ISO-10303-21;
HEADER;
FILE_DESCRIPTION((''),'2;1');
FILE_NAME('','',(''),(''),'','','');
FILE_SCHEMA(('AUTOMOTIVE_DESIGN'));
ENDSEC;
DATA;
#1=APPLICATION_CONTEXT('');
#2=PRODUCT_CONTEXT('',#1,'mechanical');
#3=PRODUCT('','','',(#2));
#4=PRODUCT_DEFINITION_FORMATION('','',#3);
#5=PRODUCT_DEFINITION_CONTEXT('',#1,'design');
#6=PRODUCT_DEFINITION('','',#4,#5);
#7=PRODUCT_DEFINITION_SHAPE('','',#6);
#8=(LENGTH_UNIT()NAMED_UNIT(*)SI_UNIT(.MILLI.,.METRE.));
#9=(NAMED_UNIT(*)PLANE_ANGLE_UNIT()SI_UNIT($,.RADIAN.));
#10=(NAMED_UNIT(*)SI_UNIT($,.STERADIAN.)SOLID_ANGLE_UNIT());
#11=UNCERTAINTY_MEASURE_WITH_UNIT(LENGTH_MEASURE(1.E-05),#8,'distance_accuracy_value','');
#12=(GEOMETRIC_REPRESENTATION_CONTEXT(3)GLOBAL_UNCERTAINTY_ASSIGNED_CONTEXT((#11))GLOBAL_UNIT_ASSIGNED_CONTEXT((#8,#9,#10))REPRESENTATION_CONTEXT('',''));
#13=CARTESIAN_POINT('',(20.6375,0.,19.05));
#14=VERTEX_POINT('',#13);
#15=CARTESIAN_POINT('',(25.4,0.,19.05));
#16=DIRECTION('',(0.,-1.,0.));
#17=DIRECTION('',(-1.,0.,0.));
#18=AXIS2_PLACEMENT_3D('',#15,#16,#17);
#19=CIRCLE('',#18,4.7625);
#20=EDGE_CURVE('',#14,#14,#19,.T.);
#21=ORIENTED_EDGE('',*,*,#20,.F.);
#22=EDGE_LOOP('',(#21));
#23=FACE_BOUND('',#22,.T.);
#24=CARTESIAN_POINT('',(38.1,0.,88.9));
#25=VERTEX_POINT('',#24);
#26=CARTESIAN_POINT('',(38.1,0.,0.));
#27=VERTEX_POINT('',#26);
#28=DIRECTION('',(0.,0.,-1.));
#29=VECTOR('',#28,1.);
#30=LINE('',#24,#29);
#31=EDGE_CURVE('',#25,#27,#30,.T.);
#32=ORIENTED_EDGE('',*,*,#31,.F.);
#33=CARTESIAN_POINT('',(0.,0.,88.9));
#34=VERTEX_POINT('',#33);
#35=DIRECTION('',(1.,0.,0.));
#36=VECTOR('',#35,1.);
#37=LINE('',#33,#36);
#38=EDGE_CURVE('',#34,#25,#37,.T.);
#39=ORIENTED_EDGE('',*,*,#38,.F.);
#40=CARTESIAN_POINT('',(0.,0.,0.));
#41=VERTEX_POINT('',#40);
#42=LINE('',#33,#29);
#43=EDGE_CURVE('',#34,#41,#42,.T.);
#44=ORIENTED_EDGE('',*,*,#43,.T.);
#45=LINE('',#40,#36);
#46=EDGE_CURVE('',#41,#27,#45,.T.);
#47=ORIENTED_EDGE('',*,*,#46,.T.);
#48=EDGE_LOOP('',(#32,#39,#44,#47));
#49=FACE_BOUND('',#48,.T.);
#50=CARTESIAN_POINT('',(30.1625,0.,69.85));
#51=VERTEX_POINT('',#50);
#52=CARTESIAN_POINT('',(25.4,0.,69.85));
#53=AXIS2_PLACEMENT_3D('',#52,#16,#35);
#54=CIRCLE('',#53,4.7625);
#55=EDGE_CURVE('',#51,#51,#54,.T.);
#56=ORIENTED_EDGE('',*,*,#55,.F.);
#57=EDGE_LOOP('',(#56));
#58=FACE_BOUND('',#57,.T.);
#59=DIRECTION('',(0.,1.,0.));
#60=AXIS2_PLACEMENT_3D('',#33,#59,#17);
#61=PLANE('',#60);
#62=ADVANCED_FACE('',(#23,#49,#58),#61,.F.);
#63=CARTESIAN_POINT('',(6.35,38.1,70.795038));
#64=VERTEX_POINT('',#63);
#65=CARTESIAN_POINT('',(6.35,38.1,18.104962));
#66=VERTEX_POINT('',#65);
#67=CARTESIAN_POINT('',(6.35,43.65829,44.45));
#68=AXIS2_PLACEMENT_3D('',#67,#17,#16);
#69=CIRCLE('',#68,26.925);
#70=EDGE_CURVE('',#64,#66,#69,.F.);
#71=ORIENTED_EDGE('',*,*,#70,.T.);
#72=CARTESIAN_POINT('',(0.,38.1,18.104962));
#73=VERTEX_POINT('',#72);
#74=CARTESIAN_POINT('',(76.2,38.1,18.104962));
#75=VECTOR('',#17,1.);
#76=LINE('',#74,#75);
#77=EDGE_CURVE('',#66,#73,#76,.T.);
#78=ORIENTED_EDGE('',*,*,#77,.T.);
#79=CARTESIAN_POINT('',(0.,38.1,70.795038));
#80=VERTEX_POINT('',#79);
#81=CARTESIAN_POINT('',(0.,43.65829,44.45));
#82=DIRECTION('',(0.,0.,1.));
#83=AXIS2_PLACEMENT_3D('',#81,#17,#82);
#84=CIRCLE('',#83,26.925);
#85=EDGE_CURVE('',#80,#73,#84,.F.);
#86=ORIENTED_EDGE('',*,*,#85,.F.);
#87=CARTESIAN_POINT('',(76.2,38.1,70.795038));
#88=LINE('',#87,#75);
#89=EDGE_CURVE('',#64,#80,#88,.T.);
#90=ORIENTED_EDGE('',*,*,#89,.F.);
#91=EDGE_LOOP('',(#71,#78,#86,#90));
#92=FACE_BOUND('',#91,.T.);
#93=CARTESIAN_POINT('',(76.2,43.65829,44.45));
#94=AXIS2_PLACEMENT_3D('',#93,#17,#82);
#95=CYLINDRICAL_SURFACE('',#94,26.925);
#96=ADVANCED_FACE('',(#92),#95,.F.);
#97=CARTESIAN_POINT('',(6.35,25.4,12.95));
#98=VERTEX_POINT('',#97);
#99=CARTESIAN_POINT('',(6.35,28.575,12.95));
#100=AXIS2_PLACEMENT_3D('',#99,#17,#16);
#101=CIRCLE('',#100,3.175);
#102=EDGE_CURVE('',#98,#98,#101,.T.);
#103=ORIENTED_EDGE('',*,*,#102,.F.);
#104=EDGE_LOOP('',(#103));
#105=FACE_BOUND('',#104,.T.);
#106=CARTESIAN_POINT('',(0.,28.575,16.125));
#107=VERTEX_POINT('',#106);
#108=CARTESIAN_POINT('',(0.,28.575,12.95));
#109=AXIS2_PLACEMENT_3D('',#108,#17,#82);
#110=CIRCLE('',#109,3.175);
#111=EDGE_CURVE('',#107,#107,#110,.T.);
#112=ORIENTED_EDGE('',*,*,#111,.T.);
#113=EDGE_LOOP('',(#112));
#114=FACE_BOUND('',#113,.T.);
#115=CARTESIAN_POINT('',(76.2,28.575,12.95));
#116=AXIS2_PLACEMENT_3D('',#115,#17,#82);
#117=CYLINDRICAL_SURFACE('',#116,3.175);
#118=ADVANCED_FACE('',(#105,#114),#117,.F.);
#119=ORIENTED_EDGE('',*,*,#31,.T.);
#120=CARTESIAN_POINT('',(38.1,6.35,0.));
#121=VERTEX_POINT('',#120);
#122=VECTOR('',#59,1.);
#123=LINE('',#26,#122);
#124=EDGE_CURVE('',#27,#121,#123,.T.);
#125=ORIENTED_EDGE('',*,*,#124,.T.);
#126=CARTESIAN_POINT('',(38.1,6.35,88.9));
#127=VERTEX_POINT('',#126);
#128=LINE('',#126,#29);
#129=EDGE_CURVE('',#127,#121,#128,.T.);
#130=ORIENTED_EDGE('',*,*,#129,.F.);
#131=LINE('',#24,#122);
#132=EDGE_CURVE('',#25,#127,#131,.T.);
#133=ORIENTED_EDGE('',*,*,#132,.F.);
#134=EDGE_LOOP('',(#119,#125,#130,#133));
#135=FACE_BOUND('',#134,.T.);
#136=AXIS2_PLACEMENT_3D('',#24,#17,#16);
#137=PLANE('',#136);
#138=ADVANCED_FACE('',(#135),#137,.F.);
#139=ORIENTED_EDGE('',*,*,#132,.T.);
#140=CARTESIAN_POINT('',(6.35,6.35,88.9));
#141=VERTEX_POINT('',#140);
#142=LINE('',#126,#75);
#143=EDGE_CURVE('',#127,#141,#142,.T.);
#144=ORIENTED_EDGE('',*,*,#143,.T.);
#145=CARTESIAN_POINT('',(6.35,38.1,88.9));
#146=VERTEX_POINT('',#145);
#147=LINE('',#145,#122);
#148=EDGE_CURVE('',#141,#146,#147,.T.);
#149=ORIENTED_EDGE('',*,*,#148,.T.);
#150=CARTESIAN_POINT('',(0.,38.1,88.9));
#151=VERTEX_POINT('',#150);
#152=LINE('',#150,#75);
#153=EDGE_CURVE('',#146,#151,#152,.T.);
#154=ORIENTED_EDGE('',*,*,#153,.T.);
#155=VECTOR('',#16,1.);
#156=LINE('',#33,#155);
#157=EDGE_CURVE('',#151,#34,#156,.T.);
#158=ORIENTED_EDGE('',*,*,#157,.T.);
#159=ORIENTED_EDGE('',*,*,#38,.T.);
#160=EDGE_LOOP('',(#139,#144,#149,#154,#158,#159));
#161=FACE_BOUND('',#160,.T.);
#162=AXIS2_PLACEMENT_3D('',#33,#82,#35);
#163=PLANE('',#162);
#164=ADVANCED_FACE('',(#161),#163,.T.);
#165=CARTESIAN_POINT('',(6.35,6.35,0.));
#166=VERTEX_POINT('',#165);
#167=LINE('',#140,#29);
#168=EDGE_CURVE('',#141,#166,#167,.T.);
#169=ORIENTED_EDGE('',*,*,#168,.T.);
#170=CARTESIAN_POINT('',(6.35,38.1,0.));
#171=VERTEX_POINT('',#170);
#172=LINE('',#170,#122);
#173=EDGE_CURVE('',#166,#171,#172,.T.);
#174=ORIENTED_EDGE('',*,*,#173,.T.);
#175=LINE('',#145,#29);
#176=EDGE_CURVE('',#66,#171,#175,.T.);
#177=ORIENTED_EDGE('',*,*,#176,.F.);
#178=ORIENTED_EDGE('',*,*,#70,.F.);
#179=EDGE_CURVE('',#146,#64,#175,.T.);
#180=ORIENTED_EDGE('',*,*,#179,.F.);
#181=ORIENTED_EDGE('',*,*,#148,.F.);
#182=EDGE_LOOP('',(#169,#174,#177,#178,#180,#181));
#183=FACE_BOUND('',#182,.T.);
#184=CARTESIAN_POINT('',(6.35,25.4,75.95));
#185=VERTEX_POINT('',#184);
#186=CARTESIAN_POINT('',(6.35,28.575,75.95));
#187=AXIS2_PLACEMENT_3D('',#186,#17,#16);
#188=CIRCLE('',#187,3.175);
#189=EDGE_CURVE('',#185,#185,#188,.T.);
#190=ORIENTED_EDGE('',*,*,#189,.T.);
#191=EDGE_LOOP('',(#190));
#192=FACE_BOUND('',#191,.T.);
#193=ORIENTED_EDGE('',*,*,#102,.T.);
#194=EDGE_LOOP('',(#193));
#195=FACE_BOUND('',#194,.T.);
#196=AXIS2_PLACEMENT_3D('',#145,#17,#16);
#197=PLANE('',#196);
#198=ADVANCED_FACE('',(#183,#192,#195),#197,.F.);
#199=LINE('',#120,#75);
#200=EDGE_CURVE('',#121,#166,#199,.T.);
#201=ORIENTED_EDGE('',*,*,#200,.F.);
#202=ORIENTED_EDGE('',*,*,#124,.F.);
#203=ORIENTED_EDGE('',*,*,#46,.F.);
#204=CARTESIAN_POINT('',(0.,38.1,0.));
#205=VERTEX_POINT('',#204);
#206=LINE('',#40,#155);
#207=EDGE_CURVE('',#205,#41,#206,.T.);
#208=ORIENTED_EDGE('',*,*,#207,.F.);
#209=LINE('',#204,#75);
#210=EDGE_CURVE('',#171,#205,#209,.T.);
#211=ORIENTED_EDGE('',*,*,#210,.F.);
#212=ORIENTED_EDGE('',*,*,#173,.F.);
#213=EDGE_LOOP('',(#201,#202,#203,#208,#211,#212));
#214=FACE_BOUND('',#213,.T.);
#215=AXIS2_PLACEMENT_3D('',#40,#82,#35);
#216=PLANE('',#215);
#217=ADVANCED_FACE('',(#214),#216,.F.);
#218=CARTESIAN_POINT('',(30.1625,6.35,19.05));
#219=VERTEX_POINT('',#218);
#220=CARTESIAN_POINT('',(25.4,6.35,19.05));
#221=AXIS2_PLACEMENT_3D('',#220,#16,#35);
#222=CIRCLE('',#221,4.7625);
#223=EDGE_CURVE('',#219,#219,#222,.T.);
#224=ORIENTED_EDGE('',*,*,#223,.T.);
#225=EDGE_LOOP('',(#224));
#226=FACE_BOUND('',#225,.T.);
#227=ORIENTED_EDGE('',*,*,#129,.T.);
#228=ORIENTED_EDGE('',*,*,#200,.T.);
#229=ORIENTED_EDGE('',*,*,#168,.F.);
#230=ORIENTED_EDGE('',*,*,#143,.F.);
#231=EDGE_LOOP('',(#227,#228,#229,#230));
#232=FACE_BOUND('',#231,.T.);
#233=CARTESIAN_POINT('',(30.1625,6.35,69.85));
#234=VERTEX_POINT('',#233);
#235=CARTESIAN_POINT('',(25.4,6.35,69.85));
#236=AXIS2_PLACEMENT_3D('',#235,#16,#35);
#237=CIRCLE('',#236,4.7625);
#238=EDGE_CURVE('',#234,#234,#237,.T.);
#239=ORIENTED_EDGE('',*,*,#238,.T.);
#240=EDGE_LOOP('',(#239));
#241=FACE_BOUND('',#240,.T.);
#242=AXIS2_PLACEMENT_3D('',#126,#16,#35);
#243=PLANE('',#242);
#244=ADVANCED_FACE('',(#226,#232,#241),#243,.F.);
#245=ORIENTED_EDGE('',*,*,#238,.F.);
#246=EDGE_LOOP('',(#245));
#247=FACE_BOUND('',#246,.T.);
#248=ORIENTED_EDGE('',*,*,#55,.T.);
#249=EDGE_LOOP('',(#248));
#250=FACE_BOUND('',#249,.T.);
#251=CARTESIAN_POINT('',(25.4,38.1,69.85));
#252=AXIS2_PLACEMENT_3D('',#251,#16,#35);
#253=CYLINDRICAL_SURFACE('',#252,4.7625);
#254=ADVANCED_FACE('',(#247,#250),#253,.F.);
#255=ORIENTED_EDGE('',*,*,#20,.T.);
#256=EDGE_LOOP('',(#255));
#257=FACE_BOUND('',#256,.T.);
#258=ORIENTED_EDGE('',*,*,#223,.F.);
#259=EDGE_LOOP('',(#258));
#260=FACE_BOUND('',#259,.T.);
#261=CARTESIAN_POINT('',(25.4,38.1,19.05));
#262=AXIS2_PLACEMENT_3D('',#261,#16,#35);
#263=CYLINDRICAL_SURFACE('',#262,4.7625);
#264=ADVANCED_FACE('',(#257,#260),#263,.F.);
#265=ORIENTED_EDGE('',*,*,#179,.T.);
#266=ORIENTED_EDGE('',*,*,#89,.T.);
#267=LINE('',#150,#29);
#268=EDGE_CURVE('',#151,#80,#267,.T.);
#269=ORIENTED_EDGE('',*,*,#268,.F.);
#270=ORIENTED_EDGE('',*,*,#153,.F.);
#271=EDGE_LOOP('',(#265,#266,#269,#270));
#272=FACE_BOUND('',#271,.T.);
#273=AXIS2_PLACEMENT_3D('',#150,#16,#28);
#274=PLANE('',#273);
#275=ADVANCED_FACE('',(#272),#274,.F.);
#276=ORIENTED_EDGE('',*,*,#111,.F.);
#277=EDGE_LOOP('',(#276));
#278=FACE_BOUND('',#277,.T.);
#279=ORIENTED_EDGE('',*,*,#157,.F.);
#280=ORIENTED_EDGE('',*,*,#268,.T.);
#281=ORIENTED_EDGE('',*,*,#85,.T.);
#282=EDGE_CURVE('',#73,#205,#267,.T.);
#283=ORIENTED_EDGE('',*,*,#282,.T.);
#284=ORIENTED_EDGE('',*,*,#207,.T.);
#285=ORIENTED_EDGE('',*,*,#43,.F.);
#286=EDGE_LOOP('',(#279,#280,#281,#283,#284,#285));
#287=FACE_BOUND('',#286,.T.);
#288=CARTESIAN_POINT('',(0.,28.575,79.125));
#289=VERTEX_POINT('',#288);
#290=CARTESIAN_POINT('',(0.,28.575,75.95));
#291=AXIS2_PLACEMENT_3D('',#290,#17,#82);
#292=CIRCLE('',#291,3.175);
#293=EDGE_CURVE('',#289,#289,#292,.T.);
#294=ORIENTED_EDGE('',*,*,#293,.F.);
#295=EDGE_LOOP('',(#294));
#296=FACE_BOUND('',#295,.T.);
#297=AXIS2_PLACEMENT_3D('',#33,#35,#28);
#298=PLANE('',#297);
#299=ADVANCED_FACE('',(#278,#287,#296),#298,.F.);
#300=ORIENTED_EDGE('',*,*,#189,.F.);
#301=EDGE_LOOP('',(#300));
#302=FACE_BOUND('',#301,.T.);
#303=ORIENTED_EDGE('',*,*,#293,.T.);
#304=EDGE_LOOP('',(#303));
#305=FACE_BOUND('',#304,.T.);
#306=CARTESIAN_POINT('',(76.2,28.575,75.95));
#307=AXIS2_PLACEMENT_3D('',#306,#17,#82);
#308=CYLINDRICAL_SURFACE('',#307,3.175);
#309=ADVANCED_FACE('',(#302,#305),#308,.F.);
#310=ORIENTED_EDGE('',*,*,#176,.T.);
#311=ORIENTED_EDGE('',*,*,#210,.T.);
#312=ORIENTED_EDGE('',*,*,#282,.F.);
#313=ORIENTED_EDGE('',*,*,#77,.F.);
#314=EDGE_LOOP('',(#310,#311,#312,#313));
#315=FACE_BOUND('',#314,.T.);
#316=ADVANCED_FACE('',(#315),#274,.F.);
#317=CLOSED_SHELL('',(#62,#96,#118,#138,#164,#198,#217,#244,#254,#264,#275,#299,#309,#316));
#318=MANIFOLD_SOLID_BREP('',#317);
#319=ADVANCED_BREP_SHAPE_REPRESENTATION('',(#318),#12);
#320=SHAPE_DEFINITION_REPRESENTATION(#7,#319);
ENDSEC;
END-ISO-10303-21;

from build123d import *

# Parameters (mm, degrees)
BOSS_EXTRUDE1_DEPTH = 88.9
SKETCH2_R           = 3.175
CUT_EXTRUDE1_DEPTH  = 76.2
SKETCH3_R           = 4.7625
CUT_EXTRUDE2_DEPTH  = 39.1


with BuildPart() as part:
    # Sketch1 → Boss-Extrude1 (new body)
    with BuildSketch(Plane.XY):
        Polygon((0, 0), (0, 38.1), (6.35, 38.1), (6.35, 6.35), (38.1, 6.35), (38.1, 0), align=None)
    extrude(amount=BOSS_EXTRUDE1_DEPTH)

    # Sketch2 → Cut-Extrude1 (cut)
    with BuildSketch(Plane.ZY):
        with Locations((12.95, 28.575)):
            Circle(SKETCH2_R)
        with Locations((75.95, 28.575)):
            Circle(SKETCH2_R)
        with BuildLine():
            ThreePointArc((18.104961724, 38.1), (44.45, 16.733289595), (70.795038276, 38.1))
            Line((70.795038276, 38.1), (18.104961724, 38.1))
        make_face()
    extrude(amount=-CUT_EXTRUDE1_DEPTH, mode=Mode.SUBTRACT)

    # Sketch3 → Cut-Extrude2 (cut, through all)
    with BuildSketch(Plane.XZ):
        with Locations((25.4, 69.85)):
            Circle(SKETCH3_R)
        with Locations((25.4, 19.05)):
            Circle(SKETCH3_R)
    extrude(amount=-CUT_EXTRUDE2_DEPTH, mode=Mode.SUBTRACT)


solid = part.part
